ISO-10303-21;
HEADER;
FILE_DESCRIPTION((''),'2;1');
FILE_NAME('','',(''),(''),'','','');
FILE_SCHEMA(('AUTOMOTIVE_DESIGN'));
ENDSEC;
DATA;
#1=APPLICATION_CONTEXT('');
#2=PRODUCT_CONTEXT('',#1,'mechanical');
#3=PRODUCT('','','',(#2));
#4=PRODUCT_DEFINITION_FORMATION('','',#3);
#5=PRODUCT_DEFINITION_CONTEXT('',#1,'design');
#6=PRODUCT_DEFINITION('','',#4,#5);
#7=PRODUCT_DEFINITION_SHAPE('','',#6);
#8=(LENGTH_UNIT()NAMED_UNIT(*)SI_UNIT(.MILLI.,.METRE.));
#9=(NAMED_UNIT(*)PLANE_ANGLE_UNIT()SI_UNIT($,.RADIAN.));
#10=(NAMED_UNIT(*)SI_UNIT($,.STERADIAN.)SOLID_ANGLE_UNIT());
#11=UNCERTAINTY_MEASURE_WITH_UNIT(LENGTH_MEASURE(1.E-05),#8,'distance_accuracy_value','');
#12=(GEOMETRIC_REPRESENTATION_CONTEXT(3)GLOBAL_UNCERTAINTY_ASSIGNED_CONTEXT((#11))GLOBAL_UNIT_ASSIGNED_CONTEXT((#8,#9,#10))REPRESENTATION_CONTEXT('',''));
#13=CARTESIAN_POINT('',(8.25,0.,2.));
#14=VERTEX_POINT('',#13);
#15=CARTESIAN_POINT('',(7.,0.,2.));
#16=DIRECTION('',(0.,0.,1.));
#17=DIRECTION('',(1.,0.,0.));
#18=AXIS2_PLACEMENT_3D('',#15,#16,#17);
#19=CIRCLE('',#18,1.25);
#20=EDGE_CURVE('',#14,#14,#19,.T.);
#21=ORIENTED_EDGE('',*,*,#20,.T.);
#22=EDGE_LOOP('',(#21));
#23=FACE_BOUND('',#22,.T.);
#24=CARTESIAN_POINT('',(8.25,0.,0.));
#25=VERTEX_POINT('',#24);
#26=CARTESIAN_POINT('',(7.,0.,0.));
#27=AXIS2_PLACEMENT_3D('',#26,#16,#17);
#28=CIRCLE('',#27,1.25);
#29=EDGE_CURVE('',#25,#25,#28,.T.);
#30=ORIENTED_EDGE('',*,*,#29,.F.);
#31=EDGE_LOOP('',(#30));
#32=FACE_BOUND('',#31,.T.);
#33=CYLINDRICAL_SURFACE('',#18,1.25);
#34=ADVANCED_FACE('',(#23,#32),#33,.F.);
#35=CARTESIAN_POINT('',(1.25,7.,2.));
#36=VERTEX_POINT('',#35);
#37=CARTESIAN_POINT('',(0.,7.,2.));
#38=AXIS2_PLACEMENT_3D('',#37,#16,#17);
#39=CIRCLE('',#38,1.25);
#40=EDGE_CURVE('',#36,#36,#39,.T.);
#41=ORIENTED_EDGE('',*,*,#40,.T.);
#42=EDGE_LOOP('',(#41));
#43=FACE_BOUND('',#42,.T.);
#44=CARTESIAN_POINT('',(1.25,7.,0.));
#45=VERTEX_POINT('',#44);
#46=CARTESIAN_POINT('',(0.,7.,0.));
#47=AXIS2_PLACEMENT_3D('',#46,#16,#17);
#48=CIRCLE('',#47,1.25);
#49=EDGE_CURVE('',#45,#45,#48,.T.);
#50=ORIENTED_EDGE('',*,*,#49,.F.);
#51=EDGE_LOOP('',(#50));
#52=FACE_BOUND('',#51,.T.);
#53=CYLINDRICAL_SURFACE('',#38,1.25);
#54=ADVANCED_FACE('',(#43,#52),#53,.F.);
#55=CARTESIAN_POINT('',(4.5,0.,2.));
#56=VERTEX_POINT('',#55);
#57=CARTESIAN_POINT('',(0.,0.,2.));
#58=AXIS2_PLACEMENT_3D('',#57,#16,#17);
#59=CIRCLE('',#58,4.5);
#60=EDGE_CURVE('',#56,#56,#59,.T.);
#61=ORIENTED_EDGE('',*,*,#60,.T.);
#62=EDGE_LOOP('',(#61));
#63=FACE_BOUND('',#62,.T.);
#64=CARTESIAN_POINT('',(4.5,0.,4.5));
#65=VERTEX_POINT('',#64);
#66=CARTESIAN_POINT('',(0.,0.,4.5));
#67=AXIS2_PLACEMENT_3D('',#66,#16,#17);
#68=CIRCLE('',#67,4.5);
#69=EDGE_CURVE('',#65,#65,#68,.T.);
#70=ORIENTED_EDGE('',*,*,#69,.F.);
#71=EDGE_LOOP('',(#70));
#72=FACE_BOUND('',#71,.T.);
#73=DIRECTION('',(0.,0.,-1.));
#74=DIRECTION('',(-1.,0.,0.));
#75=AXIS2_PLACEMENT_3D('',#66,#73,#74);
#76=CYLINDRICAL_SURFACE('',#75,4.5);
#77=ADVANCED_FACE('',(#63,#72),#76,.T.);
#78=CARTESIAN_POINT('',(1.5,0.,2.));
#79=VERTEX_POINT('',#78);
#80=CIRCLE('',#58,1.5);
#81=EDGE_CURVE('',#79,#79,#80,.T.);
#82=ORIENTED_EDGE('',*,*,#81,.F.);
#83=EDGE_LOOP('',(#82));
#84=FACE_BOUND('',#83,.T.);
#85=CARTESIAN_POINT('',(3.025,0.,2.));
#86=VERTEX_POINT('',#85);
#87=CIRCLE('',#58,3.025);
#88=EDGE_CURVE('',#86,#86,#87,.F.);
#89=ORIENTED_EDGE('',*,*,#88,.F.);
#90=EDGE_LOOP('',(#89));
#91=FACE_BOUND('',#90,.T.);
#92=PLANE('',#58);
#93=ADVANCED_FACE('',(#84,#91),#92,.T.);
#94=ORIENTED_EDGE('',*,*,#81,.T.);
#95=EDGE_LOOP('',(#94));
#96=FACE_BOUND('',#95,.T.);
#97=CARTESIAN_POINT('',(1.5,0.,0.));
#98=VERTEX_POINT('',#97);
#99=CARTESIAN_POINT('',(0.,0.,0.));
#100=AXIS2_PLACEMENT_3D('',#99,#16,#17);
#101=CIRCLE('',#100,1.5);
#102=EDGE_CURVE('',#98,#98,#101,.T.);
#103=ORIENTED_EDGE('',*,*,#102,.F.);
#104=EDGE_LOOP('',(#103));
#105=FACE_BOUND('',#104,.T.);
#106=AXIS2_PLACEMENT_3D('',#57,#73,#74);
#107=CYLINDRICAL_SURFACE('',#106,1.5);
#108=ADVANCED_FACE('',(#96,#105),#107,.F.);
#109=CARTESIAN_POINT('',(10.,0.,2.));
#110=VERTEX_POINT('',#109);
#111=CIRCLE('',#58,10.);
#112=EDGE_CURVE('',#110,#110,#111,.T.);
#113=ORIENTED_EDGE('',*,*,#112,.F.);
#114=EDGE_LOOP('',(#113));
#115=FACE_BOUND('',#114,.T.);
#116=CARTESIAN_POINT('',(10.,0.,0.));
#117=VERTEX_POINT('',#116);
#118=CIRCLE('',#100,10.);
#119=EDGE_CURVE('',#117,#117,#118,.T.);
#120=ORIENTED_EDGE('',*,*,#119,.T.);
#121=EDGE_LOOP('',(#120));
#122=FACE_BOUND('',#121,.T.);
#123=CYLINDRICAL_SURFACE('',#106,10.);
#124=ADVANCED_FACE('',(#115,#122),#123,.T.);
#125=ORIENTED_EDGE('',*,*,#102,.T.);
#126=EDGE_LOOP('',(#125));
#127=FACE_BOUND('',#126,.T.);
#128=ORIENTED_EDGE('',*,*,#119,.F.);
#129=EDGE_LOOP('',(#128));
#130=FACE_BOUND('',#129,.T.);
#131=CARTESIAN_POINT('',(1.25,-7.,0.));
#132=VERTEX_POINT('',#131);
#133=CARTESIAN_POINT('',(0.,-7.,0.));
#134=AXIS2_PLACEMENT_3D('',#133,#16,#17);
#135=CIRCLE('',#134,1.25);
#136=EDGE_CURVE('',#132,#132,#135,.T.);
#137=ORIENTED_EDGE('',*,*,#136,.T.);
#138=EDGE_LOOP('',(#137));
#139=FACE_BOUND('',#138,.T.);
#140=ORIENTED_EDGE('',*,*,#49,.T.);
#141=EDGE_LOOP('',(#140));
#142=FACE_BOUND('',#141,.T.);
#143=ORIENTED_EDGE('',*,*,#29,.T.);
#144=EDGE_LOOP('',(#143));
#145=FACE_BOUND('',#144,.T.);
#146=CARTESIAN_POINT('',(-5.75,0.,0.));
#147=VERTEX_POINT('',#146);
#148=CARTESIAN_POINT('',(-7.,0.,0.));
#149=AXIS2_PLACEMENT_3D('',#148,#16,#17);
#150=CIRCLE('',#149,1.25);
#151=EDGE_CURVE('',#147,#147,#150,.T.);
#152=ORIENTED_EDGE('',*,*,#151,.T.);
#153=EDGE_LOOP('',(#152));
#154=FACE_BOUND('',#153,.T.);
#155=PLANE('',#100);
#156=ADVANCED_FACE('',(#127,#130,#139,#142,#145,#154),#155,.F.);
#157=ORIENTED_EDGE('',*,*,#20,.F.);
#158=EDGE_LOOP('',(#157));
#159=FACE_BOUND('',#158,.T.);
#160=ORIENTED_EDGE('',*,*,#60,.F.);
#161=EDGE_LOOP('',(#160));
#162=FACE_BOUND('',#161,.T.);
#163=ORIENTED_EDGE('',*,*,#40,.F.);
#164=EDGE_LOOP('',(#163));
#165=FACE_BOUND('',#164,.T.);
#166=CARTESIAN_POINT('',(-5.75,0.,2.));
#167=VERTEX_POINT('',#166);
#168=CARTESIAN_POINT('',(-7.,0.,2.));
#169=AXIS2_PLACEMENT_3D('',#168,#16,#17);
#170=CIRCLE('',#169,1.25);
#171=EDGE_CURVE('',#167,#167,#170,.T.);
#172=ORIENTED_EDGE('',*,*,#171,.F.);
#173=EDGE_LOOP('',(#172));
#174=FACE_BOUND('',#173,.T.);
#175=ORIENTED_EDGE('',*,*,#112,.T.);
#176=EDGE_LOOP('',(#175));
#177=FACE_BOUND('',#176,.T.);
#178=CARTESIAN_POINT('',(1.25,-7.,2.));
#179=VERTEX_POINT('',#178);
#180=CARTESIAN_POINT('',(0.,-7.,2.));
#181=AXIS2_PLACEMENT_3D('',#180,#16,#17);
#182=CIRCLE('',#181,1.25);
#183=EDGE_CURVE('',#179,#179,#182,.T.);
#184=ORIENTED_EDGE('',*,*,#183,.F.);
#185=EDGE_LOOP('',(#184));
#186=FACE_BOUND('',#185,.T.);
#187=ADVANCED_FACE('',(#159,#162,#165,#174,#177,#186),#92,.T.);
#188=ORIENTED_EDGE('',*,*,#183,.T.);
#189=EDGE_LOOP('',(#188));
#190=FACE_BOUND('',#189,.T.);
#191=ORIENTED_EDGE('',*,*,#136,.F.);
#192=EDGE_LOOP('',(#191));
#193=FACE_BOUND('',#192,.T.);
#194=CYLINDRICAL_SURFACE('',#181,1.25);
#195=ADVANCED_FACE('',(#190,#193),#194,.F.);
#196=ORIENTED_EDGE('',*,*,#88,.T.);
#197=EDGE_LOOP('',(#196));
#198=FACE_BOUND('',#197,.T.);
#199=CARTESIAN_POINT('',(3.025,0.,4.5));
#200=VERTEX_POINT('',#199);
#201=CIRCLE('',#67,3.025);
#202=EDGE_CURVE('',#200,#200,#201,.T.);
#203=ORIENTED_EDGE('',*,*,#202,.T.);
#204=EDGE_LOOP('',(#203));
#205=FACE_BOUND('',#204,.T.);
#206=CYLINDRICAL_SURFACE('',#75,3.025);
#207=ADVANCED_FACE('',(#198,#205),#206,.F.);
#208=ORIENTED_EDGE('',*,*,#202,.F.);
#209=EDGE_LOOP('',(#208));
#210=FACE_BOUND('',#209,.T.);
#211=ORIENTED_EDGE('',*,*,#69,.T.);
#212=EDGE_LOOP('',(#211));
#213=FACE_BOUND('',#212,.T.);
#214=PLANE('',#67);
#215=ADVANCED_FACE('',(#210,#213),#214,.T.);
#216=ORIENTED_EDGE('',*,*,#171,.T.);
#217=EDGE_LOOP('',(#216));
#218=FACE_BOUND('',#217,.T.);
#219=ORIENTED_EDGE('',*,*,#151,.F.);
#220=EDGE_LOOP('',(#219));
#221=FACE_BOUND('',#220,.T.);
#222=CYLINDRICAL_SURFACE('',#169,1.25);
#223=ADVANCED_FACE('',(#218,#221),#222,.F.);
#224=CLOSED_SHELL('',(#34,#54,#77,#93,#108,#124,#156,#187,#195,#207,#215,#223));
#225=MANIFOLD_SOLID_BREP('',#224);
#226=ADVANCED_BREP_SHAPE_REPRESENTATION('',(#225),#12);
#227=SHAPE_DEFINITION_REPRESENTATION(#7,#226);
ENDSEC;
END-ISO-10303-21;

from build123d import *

# Parameters (mm, degrees)
SKETCH1_R             = 10
SKETCH1_R_2           = 0.5
BOSS_EXTRUDE1_DEPTH   = 2
M3X0_5_TAPPED_HOLE2_D = 2.5
M3X0_5_TAPPED_HOLE3_D = 2.5
M3X0_5_TAPPED_HOLE4_D = 2.5
M3X0_5_TAPPED_HOLE5_D = 2.5
SKETCH11_R            = 4.5
SKETCH11_R_2          = 3.025
BOSS_EXTRUDE2_DEPTH   = 2.5


with BuildPart() as part:
    # Sketch1 → Boss-Extrude1 (new body)
    with BuildSketch(Plane.XY):
        Circle(SKETCH1_R)
        with BuildLine():
            ThreePointArc((0.5, -7), (-0.353553391, -7.353553391), (0, -6.5))
            ThreePointArc((0, -6.5), (0.353553391, -6.646446609), (0.5, -7))
        make_face(mode=Mode.SUBTRACT)
        with Locations((-7, 0)):
            Circle(SKETCH1_R_2, mode=Mode.SUBTRACT)
        with BuildLine():
            ThreePointArc((1.5, 0), (1.060660172, -1.060660172), (0, -1.5))
            ThreePointArc((0, -1.5), (-1.060660172, -1.060660172), (-1.5, 0))
            ThreePointArc((-1.5, 0), (-1.060660172, 1.060660172), (0, 1.5))
            ThreePointArc((0, 1.5), (1.060660172, 1.060660172), (1.5, 0))
        make_face(mode=Mode.SUBTRACT)
        with BuildLine():
            ThreePointArc((7.5, 0), (7, -0.5), (6.5, 0))
            ThreePointArc((6.5, 0), (7, 0.5), (7.5, 0))
        make_face(mode=Mode.SUBTRACT)
        with BuildLine():
            ThreePointArc((0.5, 7), (0.353553391, 6.646446609), (0, 6.5))
            ThreePointArc((0, 6.5), (-0.353553391, 7.353553391), (0.5, 7))
        make_face(mode=Mode.SUBTRACT)
    extrude(amount=BOSS_EXTRUDE1_DEPTH)

    # M3x0.5 Tapped Hole2 (through all)
    with Locations(Plane(origin=(0, 7, 2), x_dir=(1, 0, 0), z_dir=(0, 0, 1))):
        with Locations((0, 0)):
            Hole(M3X0_5_TAPPED_HOLE2_D / 2)

    # M3x0.5 Tapped Hole3 (through all)
    with Locations(Plane.XY.offset(2)):
        with Locations((-7, 0)):
            Hole(M3X0_5_TAPPED_HOLE3_D / 2)

    # M3x0.5 Tapped Hole4 (through all)
    with Locations(Plane.XY.offset(2)):
        with Locations((0, -7)):
            Hole(M3X0_5_TAPPED_HOLE4_D / 2)

    # M3x0.5 Tapped Hole5 (through all)
    with Locations(Plane.XY.offset(2)):
        with Locations((7, 0)):
            Hole(M3X0_5_TAPPED_HOLE5_D / 2)

    # Sketch11 → Boss-Extrude2 (add)
    with BuildSketch(Plane.XY.offset(2)):
        Circle(SKETCH11_R)
        Circle(SKETCH11_R_2, mode=Mode.SUBTRACT)
    extrude(amount=BOSS_EXTRUDE2_DEPTH)


solid = part.part
